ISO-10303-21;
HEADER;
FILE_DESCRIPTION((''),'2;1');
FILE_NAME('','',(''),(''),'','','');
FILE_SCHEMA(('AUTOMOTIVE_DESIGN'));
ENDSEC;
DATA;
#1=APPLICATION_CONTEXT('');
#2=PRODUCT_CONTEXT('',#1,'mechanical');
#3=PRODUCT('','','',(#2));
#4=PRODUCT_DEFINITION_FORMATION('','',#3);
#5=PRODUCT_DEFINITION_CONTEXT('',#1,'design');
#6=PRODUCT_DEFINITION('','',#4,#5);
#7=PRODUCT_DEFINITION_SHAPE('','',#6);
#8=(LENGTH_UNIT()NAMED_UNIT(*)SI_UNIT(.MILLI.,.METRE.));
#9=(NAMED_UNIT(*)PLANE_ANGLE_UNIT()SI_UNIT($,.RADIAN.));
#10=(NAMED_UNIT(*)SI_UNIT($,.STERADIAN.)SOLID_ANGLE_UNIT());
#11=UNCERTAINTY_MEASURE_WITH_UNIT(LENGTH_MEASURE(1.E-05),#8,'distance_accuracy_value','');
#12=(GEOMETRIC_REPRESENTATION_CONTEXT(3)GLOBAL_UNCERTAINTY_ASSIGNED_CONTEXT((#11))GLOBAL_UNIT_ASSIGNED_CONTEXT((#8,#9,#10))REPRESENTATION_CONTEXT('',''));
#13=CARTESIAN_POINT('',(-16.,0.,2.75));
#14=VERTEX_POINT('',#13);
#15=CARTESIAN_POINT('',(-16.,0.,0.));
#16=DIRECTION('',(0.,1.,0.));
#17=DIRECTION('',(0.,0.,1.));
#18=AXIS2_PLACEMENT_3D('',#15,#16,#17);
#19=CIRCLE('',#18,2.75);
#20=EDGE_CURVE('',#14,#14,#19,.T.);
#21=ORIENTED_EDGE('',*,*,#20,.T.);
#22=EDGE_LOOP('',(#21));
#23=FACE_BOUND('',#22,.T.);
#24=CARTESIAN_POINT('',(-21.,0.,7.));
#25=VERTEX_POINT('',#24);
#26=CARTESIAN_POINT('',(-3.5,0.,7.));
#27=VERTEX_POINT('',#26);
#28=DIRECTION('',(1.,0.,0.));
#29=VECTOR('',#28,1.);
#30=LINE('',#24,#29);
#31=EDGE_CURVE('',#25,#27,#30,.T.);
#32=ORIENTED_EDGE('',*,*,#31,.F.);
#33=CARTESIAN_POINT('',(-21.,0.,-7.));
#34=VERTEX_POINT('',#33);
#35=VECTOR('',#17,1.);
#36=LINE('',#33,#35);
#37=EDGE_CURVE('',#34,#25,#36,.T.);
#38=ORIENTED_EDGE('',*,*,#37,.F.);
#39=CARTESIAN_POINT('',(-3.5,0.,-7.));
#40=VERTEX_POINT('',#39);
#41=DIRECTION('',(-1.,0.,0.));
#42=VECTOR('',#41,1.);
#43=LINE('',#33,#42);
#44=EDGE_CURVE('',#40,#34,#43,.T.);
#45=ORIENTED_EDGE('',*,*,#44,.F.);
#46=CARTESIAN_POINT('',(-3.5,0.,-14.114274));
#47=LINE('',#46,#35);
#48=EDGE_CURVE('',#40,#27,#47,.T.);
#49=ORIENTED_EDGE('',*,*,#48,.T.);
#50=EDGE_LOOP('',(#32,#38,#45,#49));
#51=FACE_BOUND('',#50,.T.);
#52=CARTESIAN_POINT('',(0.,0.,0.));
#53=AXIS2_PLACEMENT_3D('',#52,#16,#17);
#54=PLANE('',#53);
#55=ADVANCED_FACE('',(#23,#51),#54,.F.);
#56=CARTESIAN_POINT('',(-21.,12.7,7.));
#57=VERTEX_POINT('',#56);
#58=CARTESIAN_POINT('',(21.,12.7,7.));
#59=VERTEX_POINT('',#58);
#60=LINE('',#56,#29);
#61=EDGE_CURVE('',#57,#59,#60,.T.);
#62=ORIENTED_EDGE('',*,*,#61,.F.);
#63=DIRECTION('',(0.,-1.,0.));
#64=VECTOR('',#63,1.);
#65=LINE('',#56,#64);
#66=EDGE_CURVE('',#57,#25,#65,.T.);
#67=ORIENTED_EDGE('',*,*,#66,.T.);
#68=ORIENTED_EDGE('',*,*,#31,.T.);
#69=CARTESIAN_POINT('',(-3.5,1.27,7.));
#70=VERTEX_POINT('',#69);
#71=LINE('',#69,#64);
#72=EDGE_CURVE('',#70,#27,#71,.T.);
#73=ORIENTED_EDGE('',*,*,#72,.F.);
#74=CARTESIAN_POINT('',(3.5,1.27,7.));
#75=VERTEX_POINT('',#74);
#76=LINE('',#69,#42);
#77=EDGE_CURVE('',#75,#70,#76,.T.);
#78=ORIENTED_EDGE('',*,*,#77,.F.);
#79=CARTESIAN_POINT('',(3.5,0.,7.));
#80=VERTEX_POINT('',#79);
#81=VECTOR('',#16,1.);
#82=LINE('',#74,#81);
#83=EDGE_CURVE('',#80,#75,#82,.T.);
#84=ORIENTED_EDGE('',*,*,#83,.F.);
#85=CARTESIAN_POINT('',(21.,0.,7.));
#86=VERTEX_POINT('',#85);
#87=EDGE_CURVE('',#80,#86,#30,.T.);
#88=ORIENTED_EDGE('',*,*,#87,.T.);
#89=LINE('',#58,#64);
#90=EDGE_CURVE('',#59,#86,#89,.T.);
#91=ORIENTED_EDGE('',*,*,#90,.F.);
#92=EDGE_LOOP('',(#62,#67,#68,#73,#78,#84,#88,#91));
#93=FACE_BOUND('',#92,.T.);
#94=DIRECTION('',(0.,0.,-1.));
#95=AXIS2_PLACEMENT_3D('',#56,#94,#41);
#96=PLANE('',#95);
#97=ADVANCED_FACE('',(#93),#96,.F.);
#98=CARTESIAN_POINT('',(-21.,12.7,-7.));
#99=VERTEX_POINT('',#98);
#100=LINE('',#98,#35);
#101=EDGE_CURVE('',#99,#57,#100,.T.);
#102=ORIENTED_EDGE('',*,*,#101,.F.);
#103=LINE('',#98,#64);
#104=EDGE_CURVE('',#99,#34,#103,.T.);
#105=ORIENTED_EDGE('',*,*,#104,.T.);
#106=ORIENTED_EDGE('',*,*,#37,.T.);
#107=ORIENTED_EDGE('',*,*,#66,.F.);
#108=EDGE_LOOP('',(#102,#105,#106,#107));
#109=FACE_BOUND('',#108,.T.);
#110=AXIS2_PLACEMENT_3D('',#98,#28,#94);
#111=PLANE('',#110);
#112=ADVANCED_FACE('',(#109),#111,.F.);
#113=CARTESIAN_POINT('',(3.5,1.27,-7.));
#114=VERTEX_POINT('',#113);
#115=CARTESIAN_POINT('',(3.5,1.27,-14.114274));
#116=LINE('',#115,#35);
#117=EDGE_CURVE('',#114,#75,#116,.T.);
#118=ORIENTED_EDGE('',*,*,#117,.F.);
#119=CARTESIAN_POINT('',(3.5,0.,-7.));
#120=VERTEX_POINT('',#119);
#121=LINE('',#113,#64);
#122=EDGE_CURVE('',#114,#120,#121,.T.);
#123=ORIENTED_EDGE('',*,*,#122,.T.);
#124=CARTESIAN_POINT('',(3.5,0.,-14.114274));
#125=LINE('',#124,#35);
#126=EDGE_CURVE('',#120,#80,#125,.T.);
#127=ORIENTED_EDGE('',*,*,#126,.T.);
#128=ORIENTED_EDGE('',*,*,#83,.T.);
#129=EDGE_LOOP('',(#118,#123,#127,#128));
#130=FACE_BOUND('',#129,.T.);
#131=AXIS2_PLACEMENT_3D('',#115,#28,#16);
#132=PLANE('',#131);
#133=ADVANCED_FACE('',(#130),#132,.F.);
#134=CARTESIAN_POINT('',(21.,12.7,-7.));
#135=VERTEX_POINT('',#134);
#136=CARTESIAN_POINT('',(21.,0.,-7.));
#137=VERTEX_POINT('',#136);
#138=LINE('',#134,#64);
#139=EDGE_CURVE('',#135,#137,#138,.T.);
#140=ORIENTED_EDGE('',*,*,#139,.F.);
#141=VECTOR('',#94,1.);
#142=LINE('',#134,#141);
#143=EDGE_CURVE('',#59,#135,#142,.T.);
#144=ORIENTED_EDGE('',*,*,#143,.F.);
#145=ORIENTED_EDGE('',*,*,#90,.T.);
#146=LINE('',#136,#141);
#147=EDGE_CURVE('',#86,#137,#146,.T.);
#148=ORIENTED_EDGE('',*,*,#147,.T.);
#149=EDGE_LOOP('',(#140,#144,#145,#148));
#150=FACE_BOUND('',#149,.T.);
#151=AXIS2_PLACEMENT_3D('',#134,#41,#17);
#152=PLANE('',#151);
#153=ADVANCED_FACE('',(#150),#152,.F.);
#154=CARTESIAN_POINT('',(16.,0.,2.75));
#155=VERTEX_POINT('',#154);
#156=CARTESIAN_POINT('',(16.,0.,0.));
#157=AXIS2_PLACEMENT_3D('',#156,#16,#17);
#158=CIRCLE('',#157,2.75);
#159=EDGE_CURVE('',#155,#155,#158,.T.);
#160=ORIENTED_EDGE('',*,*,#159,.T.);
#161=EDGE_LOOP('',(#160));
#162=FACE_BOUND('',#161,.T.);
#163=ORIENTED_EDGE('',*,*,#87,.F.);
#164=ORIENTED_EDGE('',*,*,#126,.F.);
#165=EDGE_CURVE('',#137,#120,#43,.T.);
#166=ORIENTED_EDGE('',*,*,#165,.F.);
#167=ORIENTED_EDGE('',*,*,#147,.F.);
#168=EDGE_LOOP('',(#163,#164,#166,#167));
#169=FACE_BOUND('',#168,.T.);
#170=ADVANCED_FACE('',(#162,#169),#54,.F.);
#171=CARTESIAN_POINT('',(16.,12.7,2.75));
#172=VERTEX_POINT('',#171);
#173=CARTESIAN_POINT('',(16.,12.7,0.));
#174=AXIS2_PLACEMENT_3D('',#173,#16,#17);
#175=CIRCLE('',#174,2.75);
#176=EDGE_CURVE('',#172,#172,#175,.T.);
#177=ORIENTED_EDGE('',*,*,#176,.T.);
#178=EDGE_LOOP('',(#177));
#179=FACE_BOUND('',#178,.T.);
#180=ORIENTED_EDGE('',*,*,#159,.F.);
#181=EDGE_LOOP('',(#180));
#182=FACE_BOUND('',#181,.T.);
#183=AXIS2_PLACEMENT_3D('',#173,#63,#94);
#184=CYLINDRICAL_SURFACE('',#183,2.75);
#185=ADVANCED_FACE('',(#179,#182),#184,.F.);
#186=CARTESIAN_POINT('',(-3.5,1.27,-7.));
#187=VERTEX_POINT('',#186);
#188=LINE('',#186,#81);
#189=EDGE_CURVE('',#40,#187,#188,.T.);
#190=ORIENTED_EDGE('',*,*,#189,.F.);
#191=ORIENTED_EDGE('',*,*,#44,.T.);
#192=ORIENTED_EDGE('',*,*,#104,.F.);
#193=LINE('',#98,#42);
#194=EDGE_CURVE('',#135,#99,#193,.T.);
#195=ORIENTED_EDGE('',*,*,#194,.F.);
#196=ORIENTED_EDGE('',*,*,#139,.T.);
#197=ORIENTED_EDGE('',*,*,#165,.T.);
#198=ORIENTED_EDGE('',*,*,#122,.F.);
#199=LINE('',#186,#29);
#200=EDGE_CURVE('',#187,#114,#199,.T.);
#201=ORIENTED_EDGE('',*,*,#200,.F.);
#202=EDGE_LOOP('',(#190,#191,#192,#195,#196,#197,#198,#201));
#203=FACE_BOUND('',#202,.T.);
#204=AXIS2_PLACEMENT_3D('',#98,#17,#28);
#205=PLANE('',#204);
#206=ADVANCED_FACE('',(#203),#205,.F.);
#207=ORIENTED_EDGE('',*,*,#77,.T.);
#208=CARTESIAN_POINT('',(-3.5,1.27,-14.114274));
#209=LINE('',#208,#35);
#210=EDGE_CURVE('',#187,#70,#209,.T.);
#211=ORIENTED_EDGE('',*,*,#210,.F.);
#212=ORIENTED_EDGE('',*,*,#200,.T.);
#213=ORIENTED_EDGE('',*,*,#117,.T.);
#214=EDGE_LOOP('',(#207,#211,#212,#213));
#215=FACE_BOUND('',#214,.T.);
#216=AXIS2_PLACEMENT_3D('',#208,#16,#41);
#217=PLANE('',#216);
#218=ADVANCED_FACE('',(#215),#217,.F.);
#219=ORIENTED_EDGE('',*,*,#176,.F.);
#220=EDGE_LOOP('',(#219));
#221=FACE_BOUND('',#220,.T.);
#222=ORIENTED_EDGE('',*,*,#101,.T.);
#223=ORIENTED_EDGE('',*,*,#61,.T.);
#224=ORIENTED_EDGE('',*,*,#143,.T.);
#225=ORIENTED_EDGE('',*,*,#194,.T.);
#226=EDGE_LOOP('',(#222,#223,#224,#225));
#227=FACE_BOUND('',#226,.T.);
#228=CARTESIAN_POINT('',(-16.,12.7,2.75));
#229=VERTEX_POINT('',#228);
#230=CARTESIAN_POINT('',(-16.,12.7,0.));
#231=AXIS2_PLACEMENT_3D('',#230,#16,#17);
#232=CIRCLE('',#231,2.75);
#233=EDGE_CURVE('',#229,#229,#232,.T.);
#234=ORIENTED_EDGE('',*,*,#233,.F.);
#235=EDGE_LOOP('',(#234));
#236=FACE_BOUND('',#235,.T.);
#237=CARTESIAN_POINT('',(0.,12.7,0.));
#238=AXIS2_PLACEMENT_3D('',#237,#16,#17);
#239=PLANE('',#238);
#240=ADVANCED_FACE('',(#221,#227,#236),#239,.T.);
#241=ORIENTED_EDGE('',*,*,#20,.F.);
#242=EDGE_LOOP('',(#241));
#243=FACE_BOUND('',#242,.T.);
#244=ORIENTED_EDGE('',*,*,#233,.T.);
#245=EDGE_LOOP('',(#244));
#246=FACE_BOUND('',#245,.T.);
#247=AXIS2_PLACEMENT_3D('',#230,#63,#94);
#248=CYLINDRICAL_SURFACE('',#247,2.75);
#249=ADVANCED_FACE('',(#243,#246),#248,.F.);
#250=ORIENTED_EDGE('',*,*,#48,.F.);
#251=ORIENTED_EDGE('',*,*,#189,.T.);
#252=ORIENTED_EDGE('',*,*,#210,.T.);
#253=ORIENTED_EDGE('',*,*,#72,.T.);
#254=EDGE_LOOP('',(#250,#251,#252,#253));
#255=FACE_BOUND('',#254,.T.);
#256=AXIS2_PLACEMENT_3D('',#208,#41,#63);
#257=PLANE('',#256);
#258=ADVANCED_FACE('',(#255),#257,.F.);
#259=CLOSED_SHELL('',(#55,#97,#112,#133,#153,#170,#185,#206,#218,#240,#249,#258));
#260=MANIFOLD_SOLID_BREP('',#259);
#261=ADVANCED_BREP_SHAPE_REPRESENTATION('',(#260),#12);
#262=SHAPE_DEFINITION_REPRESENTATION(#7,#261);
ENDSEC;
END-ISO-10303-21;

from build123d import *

# Parameters (mm, degrees)
SKETCH1_W           = 42
SKETCH1_H           = 14
SKETCH1_R           = 2.75
BOSS_EXTRUDE1_DEPTH = 12.7
SKETCH2_W           = 7
SKETCH2_H           = 1.27
CUT_EXTRUDE1_DEPTH  = 14


with BuildPart() as part:
    # Sketch1 → Boss-Extrude1 (new body)
    with BuildSketch(Plane(origin=(0, 0, 0), x_dir=(1, 0, 0), z_dir=(0, 1, 0))):
        Rectangle(SKETCH1_W, SKETCH1_H)
        with Locations((-16, 0)):
            Circle(SKETCH1_R, mode=Mode.SUBTRACT)
        with Locations((16, 0)):
            Circle(SKETCH1_R, mode=Mode.SUBTRACT)
    extrude(amount=BOSS_EXTRUDE1_DEPTH)

    # Sketch2 → Cut-Extrude1 (cut)
    with BuildSketch(Plane.XY.offset(7)):
        with Locations((0, 0.635)):
            Rectangle(SKETCH2_W, SKETCH2_H)
    extrude(amount=-CUT_EXTRUDE1_DEPTH, mode=Mode.SUBTRACT)


solid = part.part
